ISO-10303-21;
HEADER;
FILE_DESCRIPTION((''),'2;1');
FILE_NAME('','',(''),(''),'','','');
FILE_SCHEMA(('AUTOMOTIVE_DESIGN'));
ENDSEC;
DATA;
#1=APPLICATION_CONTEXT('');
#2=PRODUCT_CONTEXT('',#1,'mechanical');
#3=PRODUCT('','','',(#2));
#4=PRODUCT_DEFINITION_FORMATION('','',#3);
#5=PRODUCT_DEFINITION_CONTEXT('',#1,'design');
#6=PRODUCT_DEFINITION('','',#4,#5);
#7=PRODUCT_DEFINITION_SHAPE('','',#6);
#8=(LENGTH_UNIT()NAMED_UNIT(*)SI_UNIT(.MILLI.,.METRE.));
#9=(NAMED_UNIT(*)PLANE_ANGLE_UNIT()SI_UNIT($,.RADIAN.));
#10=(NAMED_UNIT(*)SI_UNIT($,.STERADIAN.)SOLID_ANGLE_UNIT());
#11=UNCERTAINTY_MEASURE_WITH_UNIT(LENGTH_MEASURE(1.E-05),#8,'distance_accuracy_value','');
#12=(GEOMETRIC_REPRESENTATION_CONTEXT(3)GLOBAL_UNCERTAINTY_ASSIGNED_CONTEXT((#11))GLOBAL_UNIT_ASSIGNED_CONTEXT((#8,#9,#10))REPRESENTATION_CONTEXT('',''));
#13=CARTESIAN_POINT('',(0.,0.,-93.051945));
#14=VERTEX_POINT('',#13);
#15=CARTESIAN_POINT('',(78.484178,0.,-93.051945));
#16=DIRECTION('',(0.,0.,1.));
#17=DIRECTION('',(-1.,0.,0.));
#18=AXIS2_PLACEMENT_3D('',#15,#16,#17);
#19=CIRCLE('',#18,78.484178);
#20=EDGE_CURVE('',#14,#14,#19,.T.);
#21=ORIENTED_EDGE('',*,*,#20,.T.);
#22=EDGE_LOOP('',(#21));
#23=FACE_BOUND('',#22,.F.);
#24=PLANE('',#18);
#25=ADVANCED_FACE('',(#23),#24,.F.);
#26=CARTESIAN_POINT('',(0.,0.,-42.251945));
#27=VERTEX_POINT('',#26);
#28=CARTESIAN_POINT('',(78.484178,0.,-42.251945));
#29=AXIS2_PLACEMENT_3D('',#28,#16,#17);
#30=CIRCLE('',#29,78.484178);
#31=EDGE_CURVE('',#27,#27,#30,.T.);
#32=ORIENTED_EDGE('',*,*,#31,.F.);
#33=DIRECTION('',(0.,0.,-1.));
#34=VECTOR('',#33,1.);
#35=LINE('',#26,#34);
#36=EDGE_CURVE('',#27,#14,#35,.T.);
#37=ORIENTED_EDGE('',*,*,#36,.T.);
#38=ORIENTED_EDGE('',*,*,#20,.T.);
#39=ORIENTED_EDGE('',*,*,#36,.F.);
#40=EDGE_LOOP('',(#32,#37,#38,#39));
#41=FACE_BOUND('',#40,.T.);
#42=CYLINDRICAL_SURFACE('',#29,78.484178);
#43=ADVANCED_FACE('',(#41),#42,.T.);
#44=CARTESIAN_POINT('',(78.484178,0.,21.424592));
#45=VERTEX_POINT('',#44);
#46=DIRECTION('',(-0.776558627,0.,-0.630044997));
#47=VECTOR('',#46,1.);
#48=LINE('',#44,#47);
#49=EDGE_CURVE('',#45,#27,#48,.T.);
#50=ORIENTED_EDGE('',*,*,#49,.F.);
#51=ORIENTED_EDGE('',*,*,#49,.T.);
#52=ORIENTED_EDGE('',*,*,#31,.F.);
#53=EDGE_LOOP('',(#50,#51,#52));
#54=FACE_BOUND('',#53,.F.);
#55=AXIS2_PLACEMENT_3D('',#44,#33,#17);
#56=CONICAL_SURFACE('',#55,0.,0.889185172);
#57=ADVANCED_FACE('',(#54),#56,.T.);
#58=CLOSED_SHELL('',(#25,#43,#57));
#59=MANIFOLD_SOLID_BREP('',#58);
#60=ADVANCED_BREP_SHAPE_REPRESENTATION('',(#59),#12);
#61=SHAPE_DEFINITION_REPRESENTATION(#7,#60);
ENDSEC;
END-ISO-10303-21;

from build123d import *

# Parameters (mm, degrees)
F2_DEPTH = 50.8


with BuildPart() as f1:
    # F0 (on Front) → F1 (revolve)
    with BuildSketch(Plane.XZ):
        Polygon((78.4841775894, 0), (78.4841775894, 21.4245915413), (0, -42.2519445419), (45.4616323113, -42.2519445419), (78.4841775894, -42.2519445419), align=None)
    revolve(axis=Axis((78.4841775894, 0, -21.125972271), (0, 0, 1)))

    # F2 (add): a face of the model
    f2_faces = [f1.faces().sort_by_distance(p)[0] for p in [
        (78.4841775894, 0, -42.2519445419),
    ]]
    extrude(f2_faces, amount=F2_DEPTH)


solid = f1.part
